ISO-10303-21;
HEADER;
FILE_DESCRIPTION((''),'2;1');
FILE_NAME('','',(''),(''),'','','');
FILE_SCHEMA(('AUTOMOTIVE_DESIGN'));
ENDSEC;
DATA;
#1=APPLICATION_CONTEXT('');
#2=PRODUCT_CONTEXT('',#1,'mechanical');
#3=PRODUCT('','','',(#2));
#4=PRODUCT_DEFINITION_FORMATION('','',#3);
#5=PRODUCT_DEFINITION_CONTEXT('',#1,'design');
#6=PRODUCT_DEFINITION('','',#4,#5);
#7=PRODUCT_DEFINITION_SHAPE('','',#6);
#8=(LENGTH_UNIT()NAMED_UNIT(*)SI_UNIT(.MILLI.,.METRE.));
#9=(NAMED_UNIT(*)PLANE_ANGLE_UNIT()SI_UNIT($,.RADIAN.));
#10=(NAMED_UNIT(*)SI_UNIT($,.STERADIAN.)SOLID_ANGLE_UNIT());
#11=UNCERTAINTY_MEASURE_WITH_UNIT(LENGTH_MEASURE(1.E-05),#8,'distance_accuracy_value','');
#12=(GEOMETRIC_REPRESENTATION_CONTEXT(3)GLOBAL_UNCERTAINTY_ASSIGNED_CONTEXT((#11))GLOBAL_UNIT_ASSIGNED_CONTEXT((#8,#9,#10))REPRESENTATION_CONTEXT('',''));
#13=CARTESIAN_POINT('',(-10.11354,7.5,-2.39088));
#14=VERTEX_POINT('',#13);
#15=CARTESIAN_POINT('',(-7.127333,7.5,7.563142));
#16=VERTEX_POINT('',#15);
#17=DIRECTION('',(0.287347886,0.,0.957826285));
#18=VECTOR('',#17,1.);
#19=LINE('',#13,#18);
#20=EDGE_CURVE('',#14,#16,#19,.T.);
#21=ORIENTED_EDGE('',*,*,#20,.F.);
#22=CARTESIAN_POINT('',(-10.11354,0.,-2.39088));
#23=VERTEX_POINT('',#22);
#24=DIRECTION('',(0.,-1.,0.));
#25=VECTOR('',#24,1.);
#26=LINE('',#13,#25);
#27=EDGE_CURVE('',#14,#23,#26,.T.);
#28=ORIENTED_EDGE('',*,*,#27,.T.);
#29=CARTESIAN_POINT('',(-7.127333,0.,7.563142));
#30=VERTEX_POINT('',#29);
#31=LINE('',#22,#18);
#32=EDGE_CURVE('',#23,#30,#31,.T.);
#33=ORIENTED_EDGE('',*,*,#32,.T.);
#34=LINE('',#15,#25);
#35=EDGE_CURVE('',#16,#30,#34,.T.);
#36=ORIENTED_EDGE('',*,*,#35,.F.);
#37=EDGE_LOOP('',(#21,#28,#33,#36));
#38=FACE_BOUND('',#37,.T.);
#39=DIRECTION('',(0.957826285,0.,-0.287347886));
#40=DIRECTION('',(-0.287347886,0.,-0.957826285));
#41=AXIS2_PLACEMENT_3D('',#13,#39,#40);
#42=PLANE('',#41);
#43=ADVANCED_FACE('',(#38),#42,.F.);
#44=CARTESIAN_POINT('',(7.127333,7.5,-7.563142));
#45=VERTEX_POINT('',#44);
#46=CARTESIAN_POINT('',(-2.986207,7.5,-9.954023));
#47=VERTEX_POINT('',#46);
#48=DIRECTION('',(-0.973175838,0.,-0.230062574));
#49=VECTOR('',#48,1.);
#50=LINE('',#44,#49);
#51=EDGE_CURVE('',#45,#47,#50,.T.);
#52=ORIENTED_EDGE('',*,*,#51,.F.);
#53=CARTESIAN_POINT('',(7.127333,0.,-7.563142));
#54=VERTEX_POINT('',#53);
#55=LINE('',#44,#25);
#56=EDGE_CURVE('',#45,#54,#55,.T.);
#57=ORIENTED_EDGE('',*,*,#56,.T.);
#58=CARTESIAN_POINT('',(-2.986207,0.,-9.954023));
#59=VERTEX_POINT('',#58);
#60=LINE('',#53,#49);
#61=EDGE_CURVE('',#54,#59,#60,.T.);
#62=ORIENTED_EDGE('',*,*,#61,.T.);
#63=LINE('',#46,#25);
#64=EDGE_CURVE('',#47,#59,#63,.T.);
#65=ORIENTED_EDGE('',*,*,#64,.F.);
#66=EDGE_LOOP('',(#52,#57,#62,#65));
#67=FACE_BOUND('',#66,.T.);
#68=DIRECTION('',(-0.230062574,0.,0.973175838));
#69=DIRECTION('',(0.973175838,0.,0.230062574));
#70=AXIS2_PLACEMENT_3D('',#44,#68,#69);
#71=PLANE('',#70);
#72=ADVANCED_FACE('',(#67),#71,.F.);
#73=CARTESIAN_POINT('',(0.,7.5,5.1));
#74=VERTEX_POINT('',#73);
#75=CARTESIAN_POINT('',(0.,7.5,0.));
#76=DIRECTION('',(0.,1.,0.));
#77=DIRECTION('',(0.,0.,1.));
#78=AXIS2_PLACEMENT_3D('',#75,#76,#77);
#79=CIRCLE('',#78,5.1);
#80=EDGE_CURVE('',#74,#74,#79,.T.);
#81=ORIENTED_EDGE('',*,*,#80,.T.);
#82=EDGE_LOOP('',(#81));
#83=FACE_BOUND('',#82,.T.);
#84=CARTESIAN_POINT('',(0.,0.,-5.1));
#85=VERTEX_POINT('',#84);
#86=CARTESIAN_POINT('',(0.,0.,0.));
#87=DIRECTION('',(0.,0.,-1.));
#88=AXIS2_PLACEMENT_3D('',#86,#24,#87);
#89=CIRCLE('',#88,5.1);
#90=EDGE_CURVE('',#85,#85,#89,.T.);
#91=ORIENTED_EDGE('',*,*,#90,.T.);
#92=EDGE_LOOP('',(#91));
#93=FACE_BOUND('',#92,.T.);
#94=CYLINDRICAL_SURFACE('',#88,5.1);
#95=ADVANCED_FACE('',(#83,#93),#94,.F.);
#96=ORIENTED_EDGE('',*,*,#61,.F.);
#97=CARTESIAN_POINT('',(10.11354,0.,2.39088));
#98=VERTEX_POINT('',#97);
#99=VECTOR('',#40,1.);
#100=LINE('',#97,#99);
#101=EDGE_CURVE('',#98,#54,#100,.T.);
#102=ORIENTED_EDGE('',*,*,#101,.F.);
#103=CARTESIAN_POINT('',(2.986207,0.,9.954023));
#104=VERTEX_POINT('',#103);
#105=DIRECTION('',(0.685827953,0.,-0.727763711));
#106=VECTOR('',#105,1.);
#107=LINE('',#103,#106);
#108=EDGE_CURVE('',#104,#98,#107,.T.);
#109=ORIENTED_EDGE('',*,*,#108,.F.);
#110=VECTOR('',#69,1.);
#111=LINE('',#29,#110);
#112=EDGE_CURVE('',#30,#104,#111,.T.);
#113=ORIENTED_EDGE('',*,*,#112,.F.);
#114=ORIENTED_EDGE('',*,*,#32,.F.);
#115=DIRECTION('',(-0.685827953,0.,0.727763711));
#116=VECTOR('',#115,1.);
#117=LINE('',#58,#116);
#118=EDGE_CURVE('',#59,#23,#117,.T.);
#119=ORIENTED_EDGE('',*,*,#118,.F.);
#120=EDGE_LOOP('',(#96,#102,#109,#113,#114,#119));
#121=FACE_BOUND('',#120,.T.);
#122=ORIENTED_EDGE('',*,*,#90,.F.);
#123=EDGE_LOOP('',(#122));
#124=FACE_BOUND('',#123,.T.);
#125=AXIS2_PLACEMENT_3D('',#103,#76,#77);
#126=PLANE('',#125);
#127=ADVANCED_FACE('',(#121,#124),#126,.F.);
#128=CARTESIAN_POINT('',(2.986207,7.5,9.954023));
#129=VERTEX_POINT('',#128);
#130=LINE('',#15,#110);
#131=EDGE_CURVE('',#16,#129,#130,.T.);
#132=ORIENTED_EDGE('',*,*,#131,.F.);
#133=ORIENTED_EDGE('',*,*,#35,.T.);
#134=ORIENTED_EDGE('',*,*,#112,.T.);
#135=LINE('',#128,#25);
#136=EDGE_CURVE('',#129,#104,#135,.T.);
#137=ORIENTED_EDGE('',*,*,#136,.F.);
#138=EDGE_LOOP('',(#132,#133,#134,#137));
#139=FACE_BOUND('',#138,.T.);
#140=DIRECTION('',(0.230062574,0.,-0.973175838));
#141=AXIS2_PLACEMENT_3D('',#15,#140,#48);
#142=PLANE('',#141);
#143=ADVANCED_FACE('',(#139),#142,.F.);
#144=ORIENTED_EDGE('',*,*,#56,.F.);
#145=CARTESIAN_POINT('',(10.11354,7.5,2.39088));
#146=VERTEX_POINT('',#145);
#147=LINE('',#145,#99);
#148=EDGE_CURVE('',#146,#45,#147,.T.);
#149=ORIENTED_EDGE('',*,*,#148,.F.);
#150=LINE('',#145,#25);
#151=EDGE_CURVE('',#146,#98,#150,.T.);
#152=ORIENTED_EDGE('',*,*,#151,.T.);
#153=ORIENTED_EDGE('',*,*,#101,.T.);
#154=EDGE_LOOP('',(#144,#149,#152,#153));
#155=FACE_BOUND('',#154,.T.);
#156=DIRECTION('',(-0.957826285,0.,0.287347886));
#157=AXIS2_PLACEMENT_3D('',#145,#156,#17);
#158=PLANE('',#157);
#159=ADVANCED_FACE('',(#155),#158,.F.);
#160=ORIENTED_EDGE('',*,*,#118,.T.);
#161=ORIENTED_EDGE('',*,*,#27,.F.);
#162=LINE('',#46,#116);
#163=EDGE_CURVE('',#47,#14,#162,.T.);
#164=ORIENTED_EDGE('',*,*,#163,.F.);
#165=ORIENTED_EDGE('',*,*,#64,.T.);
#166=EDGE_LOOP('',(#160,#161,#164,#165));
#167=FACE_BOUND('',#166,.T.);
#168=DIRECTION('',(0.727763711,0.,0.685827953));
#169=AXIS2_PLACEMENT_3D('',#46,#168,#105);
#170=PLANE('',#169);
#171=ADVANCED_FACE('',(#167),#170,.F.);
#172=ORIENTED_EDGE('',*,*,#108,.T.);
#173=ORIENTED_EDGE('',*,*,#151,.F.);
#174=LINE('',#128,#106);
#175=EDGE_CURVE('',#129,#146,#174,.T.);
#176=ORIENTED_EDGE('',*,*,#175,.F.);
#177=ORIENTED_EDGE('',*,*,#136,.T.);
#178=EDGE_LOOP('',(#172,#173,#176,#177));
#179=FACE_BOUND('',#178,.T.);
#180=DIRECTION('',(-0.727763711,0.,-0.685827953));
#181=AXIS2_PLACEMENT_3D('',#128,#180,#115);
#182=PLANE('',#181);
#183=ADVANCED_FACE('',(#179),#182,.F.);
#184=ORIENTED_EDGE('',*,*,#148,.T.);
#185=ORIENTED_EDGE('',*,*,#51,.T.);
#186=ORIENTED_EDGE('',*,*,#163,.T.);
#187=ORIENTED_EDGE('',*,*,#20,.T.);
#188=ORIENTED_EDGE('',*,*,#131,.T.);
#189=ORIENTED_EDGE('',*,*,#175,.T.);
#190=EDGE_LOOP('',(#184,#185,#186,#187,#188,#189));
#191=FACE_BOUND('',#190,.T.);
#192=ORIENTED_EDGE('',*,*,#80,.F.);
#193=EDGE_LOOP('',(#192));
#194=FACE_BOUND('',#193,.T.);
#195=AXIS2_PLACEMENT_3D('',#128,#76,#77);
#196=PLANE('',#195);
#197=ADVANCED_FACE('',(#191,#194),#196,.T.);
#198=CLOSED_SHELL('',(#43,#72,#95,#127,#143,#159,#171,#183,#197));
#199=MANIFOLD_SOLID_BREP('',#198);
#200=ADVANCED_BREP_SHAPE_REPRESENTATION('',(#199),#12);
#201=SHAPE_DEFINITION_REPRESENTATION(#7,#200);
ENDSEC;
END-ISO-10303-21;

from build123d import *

# Parameters (mm, degrees)
EXTRUDE_1_DEPTH                   = 7.5
HOLE_WIZARD_M12_1_D               = 10.2
HOLE_WIZARD_M12_1_DEPTH           = 29.25
HOLE_WIZARD_M12_1_TIP             = 3.064389157
HOLE_WIZARD_M12_1_ON_FACE_2_D     = 10.2
HOLE_WIZARD_M12_1_ON_FACE_2_DEPTH = 29.25
HOLE_WIZARD_M12_1_ON_FACE_2_TIP   = 3.064389157


with BuildPart() as part:
    # 草图1 → 凸台-拉伸1 (new body)
    with BuildSketch(Plane(origin=(0, 0, 0), x_dir=(1, 0, 0), z_dir=(0, 1, 0))):
        Polygon((2.986206823, -9.954022745), (10.113539979, -2.390880402), (7.127333155, 7.563142343), (-2.986206823, 9.954022745), (-10.113539979, 2.390880402), (-7.127333155, -7.563142343), align=None)
    extrude(amount=EXTRUDE_1_DEPTH)

    # M12 螺纹孔1
    with Locations(Plane(origin=(0, 0, 0), x_dir=(0, 0, -1), z_dir=(0, -1, 0))):
        with Locations((0, 0)):
            Hole(HOLE_WIZARD_M12_1_D / 2, depth=HOLE_WIZARD_M12_1_DEPTH)
            with Locations((0, 0, -(HOLE_WIZARD_M12_1_DEPTH + HOLE_WIZARD_M12_1_TIP / 2))):  # 118° drill point
                Cone(0, HOLE_WIZARD_M12_1_D / 2, HOLE_WIZARD_M12_1_TIP, mode=Mode.SUBTRACT)

    # M12 螺纹孔1 on face 2
    with Locations(Plane.ZX.offset(7.5)):
        with Locations((0, 0)):
            Hole(HOLE_WIZARD_M12_1_ON_FACE_2_D / 2, depth=HOLE_WIZARD_M12_1_ON_FACE_2_DEPTH)
            with Locations((0, 0, -(HOLE_WIZARD_M12_1_ON_FACE_2_DEPTH + HOLE_WIZARD_M12_1_ON_FACE_2_TIP / 2))):  # 118° drill point
                Cone(0, HOLE_WIZARD_M12_1_ON_FACE_2_D / 2, HOLE_WIZARD_M12_1_ON_FACE_2_TIP, mode=Mode.SUBTRACT)


solid = part.part
